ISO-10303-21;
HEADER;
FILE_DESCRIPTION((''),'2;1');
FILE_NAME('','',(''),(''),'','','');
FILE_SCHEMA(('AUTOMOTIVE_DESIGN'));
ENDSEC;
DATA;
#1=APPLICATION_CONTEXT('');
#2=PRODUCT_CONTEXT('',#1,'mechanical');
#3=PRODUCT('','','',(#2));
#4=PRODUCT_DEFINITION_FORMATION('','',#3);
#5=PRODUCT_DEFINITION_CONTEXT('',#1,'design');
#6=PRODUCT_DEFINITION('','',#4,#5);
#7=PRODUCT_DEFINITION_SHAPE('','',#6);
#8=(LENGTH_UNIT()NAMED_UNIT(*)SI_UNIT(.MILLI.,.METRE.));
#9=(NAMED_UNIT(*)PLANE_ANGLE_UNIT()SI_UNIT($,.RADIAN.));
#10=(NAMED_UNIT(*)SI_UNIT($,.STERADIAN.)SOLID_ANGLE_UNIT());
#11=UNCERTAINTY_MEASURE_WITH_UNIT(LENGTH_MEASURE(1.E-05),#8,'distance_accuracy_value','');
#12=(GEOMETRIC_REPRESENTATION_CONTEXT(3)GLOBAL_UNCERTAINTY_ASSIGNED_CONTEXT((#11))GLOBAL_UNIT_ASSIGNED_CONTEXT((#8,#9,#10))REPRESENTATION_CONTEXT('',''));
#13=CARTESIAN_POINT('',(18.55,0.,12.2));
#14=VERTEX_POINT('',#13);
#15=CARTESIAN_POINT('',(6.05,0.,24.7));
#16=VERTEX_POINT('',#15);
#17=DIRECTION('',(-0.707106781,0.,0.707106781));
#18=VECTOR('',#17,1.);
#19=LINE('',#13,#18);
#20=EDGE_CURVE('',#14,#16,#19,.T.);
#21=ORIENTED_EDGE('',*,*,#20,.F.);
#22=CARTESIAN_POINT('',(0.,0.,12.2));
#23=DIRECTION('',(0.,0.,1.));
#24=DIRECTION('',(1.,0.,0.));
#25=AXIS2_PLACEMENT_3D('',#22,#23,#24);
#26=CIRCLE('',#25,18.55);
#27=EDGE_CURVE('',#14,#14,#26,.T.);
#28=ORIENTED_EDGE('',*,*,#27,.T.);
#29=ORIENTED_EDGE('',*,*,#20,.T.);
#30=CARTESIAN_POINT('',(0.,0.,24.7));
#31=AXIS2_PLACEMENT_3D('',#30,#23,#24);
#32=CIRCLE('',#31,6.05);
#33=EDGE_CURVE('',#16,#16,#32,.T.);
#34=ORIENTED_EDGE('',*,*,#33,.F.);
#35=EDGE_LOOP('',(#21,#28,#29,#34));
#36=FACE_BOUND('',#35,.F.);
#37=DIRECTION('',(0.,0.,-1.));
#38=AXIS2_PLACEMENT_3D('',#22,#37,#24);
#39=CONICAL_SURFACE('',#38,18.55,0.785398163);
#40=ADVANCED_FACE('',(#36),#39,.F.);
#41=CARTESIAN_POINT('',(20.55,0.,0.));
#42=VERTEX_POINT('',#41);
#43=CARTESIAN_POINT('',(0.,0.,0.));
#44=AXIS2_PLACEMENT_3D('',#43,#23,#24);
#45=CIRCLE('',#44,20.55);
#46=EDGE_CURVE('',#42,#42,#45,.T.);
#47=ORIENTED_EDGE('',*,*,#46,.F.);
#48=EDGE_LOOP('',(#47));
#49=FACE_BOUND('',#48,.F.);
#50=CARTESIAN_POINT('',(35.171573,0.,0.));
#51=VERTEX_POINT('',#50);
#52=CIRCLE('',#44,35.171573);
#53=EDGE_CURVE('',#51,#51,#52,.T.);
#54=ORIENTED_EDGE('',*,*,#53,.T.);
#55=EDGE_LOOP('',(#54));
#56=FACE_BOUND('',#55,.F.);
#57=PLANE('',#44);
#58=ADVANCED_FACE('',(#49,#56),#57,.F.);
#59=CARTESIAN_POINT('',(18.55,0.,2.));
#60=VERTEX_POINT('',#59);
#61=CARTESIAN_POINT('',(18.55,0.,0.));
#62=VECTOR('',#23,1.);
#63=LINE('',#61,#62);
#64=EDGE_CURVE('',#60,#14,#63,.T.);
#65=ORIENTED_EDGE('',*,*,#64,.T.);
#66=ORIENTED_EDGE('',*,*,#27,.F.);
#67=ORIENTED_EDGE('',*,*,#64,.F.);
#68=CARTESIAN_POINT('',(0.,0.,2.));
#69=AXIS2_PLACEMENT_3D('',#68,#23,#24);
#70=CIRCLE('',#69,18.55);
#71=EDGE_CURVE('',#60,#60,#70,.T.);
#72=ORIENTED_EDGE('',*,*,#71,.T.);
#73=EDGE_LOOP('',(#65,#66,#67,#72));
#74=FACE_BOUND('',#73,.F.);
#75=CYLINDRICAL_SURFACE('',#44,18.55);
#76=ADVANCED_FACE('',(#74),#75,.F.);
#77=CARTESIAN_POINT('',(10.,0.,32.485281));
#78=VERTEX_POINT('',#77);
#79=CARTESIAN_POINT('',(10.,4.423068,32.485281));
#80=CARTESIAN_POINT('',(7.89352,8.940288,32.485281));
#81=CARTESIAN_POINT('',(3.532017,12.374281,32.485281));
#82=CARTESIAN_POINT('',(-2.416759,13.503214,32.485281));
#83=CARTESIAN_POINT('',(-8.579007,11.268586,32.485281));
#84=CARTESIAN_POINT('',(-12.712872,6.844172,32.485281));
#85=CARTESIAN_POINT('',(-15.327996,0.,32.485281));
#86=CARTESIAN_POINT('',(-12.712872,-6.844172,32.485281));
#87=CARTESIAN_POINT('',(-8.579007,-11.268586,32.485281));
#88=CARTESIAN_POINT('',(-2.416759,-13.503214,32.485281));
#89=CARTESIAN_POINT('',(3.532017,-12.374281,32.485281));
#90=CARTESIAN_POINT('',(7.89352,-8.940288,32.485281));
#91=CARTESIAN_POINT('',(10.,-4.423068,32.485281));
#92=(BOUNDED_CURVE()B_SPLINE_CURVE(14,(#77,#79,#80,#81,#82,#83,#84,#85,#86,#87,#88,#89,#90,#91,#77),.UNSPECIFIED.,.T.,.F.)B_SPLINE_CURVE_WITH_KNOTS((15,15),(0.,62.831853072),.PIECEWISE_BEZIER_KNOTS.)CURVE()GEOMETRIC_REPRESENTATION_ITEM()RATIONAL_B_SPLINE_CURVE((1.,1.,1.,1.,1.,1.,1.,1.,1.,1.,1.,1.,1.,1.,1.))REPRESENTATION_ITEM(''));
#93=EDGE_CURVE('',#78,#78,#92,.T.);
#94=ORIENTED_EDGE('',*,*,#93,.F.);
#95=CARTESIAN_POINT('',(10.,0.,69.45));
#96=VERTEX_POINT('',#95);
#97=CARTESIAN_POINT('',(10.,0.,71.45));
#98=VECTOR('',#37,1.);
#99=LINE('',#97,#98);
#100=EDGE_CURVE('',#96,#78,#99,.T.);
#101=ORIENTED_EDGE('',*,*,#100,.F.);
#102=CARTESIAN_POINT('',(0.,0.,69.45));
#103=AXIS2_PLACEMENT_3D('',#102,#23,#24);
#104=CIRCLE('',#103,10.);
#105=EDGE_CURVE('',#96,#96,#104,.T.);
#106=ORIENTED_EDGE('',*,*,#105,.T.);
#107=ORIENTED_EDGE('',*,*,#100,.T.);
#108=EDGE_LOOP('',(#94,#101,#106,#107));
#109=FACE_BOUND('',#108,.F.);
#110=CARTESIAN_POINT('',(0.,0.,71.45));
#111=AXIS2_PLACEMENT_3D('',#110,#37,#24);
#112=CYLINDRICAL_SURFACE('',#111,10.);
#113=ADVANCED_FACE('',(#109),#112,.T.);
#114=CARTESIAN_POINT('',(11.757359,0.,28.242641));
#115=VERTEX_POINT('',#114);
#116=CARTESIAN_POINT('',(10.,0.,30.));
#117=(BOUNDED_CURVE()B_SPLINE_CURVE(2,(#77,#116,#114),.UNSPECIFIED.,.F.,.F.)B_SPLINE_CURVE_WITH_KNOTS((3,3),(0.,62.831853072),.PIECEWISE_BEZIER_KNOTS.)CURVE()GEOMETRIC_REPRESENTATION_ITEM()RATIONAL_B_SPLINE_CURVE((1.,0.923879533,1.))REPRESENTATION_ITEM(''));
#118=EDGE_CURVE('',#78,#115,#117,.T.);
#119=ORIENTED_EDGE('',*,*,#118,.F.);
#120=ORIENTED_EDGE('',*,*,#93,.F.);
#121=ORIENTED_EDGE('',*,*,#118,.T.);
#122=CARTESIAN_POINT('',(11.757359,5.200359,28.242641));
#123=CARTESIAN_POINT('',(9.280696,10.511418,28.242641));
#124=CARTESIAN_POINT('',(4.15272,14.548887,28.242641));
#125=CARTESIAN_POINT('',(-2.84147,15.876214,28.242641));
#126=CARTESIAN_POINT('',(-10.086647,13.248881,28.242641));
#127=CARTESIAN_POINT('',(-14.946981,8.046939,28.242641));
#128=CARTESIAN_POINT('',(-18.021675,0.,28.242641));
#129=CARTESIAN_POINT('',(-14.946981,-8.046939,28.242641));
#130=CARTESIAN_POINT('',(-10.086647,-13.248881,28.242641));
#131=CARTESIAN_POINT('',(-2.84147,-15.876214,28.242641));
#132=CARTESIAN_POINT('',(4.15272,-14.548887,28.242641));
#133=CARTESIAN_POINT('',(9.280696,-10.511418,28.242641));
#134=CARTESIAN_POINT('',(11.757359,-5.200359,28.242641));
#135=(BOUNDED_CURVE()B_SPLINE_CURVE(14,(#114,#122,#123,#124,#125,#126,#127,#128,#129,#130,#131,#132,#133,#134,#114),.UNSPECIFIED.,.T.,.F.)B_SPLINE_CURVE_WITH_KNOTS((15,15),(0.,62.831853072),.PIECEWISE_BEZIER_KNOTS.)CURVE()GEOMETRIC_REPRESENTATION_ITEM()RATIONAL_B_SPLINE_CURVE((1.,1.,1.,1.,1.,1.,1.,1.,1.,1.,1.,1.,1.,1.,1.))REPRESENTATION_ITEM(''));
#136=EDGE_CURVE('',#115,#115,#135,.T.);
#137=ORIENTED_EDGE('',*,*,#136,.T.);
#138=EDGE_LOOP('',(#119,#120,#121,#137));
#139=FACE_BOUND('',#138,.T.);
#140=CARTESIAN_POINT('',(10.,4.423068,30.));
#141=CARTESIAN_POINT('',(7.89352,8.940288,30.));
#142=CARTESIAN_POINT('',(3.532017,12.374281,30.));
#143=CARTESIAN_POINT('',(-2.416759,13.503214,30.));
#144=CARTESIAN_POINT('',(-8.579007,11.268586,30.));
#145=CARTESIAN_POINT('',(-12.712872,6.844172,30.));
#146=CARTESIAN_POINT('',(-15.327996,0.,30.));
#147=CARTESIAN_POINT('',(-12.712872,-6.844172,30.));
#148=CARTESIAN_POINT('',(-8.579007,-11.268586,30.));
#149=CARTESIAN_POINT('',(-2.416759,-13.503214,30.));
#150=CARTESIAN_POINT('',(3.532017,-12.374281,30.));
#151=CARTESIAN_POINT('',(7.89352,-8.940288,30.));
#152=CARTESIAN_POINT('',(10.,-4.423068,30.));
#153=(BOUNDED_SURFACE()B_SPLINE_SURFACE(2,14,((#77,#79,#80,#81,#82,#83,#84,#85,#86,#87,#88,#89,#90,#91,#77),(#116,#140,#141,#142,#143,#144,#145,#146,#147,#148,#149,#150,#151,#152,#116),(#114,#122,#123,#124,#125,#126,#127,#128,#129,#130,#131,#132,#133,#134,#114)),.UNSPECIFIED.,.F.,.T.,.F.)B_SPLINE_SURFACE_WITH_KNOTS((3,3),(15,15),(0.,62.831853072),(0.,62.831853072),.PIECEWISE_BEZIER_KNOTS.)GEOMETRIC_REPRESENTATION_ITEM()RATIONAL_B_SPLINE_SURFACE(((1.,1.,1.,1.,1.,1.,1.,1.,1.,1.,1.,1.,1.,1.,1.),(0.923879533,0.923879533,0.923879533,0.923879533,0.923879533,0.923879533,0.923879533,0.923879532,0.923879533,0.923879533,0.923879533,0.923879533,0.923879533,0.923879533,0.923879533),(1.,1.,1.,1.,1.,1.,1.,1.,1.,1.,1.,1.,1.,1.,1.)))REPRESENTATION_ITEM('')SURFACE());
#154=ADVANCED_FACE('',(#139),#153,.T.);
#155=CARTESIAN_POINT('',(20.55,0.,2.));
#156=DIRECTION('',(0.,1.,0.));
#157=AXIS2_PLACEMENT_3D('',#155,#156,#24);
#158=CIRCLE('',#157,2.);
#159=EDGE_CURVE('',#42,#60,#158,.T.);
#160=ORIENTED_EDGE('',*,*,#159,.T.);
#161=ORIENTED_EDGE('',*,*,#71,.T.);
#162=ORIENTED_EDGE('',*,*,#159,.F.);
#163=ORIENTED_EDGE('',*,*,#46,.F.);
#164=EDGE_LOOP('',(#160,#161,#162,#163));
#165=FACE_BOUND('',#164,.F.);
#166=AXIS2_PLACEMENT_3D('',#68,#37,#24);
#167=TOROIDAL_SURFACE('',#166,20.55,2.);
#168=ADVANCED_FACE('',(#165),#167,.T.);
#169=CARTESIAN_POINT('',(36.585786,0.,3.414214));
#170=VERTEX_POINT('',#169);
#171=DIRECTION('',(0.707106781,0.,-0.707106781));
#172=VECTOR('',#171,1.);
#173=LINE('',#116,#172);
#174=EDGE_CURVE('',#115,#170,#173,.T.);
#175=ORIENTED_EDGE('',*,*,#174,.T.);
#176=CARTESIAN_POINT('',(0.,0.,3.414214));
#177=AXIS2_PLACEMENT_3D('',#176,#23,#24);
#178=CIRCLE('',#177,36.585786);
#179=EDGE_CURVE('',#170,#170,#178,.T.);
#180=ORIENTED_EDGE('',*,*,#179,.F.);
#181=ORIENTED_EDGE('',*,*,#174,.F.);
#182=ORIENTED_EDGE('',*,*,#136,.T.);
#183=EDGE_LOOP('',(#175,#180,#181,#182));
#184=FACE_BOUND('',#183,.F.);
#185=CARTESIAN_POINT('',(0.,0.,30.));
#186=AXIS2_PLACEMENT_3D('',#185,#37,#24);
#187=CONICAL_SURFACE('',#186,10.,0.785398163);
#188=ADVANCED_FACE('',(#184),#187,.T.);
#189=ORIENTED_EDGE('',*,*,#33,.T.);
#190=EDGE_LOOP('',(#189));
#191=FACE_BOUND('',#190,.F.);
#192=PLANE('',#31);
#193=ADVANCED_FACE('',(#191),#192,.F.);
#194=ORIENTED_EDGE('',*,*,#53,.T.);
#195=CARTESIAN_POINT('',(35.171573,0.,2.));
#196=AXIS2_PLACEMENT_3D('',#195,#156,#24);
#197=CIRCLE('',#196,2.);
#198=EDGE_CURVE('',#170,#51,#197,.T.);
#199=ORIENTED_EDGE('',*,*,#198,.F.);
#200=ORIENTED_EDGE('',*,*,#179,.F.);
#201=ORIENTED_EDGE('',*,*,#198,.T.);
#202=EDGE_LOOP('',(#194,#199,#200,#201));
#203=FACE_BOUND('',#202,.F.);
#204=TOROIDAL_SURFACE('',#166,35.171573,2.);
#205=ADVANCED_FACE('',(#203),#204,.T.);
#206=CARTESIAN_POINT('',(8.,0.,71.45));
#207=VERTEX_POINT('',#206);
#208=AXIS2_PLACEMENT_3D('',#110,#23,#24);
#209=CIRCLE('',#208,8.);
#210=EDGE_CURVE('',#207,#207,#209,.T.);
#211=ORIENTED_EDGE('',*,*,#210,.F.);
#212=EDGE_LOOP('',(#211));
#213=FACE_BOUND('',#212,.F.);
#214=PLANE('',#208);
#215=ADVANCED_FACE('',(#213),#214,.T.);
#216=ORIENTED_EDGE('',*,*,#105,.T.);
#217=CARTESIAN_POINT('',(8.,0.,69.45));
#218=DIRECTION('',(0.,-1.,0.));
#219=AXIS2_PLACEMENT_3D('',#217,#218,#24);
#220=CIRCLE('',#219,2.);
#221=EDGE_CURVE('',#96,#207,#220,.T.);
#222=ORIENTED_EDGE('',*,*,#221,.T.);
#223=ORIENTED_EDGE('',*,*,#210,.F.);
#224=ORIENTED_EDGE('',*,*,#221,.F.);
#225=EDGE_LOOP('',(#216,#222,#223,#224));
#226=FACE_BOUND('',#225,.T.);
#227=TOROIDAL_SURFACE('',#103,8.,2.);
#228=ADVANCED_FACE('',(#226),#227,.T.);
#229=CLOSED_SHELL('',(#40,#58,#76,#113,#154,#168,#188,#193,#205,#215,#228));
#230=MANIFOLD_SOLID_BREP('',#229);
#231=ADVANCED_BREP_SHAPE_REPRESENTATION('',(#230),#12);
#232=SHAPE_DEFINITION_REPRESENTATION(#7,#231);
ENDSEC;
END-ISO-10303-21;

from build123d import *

# Parameters (mm, degrees)
FILLET001_R = 6
FILLET003_R = 2


with BuildPart() as part:
    # Sketch → Revolution (revolve)
    with BuildSketch(Plane.XZ):
        Polygon((18.55, 0), (18.55, 12.2), (6.05, 24.7), (0, 24.7), (0, 71.45), (10, 71.45), (10, 30), (40, 0), align=None)
    revolve(axis=Axis((0, 0, 0), (0, 0, 1)))

    # Fillet001
    fillet001_edges = [part.edges().sort_by_distance(p)[0] for p in [
        (-10, 0, 30),
    ]]
    fillet(fillet001_edges, radius=FILLET001_R)

    # Fillet003
    fillet003_edges = [part.edges().sort_by_distance(p)[0] for p in [
        (-10, 0, 71.45),
        (-18.55, 0, 0),
        (-40, 0, 0),
    ]]
    fillet(fillet003_edges, radius=FILLET003_R)


solid = part.part
